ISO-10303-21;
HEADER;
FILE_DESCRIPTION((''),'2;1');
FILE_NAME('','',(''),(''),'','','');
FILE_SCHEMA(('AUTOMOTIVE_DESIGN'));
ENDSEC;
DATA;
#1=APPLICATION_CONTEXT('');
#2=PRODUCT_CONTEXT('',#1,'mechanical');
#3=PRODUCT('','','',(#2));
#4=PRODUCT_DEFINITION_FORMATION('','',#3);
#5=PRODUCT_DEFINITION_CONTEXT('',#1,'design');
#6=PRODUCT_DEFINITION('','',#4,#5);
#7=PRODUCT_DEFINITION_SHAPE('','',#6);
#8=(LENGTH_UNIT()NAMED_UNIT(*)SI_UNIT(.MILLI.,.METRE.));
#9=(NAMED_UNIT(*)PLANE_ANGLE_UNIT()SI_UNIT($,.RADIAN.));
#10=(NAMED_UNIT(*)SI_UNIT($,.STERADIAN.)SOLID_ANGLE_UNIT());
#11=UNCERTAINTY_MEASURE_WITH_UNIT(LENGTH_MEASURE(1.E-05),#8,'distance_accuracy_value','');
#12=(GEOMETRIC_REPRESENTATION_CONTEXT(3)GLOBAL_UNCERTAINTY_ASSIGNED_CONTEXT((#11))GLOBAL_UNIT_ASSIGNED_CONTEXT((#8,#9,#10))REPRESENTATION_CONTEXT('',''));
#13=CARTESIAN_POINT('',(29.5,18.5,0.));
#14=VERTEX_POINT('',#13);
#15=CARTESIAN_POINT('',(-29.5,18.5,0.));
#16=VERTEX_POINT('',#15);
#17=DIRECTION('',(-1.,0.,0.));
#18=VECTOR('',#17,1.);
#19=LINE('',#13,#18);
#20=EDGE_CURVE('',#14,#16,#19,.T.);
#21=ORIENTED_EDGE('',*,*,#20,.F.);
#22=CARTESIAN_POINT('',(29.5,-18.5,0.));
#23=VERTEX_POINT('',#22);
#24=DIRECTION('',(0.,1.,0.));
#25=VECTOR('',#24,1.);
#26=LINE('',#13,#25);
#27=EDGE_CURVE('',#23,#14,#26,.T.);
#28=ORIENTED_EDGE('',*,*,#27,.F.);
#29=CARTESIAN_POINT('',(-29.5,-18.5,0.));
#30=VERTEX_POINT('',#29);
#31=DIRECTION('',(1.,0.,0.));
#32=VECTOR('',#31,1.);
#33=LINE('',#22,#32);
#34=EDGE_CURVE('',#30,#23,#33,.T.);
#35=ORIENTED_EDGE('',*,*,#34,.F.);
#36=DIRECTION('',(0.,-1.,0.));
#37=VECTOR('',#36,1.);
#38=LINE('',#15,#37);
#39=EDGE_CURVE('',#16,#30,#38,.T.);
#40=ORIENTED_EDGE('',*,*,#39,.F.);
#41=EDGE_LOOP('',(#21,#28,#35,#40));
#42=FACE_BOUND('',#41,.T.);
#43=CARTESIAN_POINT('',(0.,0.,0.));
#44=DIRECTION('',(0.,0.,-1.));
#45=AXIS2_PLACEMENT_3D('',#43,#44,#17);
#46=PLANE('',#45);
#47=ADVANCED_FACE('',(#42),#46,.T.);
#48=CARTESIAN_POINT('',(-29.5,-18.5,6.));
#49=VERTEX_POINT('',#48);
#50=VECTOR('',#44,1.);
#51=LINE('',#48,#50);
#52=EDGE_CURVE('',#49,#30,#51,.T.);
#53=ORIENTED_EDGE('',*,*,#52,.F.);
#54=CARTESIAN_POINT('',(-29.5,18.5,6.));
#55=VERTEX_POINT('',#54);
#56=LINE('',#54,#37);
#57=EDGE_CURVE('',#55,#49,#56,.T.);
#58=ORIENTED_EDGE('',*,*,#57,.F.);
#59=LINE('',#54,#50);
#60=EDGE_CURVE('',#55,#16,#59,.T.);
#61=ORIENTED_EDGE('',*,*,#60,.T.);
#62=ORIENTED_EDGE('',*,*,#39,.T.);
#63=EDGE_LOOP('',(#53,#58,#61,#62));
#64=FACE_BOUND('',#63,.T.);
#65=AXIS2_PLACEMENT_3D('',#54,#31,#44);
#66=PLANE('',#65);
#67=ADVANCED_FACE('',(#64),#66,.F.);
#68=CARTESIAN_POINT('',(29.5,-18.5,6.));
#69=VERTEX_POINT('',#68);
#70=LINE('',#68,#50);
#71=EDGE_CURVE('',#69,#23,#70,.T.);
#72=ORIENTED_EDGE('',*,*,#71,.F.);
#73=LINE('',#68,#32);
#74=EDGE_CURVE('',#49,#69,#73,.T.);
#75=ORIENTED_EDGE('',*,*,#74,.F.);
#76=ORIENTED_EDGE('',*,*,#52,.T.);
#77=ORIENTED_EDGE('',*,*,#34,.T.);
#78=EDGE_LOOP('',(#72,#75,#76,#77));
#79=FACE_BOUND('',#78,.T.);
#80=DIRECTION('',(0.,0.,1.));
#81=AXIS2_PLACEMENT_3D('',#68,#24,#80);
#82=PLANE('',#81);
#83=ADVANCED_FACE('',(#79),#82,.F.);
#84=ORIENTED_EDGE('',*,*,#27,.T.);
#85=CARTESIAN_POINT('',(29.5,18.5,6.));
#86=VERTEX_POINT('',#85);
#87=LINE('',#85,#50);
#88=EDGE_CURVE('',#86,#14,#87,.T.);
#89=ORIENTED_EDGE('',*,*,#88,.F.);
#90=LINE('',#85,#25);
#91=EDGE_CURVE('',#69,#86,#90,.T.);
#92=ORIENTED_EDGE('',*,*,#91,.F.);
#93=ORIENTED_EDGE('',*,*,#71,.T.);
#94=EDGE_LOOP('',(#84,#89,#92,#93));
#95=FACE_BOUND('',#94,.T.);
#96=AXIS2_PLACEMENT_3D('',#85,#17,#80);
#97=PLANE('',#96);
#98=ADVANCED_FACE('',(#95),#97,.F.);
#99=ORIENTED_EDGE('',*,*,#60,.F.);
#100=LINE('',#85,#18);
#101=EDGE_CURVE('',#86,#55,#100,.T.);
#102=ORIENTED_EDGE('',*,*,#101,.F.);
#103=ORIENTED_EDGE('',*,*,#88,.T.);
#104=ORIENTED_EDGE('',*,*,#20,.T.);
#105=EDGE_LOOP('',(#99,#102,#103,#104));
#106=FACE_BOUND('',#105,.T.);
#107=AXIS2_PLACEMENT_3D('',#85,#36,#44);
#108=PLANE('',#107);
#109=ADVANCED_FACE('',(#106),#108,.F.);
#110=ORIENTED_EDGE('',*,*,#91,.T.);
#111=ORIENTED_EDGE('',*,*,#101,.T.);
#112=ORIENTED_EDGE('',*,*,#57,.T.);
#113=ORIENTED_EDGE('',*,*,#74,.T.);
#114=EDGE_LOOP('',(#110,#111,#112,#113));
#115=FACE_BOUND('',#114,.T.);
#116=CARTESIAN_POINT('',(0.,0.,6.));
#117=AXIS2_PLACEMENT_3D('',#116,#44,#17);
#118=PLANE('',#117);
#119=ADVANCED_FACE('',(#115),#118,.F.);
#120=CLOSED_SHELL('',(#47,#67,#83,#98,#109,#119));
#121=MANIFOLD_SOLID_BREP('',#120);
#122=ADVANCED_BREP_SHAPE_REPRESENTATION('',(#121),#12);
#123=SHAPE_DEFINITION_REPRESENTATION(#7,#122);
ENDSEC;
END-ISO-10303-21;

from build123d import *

# Parameters (mm, degrees)
SKETCH1_W           = 59
SKETCH1_H           = 37
BOSS_EXTRUDE1_DEPTH = 6


with BuildPart() as part:
    # Sketch1 → Boss-Extrude1 (new body)
    with BuildSketch(Plane.XY):
        Rectangle(SKETCH1_W, SKETCH1_H)
    extrude(amount=BOSS_EXTRUDE1_DEPTH)


solid = part.part
